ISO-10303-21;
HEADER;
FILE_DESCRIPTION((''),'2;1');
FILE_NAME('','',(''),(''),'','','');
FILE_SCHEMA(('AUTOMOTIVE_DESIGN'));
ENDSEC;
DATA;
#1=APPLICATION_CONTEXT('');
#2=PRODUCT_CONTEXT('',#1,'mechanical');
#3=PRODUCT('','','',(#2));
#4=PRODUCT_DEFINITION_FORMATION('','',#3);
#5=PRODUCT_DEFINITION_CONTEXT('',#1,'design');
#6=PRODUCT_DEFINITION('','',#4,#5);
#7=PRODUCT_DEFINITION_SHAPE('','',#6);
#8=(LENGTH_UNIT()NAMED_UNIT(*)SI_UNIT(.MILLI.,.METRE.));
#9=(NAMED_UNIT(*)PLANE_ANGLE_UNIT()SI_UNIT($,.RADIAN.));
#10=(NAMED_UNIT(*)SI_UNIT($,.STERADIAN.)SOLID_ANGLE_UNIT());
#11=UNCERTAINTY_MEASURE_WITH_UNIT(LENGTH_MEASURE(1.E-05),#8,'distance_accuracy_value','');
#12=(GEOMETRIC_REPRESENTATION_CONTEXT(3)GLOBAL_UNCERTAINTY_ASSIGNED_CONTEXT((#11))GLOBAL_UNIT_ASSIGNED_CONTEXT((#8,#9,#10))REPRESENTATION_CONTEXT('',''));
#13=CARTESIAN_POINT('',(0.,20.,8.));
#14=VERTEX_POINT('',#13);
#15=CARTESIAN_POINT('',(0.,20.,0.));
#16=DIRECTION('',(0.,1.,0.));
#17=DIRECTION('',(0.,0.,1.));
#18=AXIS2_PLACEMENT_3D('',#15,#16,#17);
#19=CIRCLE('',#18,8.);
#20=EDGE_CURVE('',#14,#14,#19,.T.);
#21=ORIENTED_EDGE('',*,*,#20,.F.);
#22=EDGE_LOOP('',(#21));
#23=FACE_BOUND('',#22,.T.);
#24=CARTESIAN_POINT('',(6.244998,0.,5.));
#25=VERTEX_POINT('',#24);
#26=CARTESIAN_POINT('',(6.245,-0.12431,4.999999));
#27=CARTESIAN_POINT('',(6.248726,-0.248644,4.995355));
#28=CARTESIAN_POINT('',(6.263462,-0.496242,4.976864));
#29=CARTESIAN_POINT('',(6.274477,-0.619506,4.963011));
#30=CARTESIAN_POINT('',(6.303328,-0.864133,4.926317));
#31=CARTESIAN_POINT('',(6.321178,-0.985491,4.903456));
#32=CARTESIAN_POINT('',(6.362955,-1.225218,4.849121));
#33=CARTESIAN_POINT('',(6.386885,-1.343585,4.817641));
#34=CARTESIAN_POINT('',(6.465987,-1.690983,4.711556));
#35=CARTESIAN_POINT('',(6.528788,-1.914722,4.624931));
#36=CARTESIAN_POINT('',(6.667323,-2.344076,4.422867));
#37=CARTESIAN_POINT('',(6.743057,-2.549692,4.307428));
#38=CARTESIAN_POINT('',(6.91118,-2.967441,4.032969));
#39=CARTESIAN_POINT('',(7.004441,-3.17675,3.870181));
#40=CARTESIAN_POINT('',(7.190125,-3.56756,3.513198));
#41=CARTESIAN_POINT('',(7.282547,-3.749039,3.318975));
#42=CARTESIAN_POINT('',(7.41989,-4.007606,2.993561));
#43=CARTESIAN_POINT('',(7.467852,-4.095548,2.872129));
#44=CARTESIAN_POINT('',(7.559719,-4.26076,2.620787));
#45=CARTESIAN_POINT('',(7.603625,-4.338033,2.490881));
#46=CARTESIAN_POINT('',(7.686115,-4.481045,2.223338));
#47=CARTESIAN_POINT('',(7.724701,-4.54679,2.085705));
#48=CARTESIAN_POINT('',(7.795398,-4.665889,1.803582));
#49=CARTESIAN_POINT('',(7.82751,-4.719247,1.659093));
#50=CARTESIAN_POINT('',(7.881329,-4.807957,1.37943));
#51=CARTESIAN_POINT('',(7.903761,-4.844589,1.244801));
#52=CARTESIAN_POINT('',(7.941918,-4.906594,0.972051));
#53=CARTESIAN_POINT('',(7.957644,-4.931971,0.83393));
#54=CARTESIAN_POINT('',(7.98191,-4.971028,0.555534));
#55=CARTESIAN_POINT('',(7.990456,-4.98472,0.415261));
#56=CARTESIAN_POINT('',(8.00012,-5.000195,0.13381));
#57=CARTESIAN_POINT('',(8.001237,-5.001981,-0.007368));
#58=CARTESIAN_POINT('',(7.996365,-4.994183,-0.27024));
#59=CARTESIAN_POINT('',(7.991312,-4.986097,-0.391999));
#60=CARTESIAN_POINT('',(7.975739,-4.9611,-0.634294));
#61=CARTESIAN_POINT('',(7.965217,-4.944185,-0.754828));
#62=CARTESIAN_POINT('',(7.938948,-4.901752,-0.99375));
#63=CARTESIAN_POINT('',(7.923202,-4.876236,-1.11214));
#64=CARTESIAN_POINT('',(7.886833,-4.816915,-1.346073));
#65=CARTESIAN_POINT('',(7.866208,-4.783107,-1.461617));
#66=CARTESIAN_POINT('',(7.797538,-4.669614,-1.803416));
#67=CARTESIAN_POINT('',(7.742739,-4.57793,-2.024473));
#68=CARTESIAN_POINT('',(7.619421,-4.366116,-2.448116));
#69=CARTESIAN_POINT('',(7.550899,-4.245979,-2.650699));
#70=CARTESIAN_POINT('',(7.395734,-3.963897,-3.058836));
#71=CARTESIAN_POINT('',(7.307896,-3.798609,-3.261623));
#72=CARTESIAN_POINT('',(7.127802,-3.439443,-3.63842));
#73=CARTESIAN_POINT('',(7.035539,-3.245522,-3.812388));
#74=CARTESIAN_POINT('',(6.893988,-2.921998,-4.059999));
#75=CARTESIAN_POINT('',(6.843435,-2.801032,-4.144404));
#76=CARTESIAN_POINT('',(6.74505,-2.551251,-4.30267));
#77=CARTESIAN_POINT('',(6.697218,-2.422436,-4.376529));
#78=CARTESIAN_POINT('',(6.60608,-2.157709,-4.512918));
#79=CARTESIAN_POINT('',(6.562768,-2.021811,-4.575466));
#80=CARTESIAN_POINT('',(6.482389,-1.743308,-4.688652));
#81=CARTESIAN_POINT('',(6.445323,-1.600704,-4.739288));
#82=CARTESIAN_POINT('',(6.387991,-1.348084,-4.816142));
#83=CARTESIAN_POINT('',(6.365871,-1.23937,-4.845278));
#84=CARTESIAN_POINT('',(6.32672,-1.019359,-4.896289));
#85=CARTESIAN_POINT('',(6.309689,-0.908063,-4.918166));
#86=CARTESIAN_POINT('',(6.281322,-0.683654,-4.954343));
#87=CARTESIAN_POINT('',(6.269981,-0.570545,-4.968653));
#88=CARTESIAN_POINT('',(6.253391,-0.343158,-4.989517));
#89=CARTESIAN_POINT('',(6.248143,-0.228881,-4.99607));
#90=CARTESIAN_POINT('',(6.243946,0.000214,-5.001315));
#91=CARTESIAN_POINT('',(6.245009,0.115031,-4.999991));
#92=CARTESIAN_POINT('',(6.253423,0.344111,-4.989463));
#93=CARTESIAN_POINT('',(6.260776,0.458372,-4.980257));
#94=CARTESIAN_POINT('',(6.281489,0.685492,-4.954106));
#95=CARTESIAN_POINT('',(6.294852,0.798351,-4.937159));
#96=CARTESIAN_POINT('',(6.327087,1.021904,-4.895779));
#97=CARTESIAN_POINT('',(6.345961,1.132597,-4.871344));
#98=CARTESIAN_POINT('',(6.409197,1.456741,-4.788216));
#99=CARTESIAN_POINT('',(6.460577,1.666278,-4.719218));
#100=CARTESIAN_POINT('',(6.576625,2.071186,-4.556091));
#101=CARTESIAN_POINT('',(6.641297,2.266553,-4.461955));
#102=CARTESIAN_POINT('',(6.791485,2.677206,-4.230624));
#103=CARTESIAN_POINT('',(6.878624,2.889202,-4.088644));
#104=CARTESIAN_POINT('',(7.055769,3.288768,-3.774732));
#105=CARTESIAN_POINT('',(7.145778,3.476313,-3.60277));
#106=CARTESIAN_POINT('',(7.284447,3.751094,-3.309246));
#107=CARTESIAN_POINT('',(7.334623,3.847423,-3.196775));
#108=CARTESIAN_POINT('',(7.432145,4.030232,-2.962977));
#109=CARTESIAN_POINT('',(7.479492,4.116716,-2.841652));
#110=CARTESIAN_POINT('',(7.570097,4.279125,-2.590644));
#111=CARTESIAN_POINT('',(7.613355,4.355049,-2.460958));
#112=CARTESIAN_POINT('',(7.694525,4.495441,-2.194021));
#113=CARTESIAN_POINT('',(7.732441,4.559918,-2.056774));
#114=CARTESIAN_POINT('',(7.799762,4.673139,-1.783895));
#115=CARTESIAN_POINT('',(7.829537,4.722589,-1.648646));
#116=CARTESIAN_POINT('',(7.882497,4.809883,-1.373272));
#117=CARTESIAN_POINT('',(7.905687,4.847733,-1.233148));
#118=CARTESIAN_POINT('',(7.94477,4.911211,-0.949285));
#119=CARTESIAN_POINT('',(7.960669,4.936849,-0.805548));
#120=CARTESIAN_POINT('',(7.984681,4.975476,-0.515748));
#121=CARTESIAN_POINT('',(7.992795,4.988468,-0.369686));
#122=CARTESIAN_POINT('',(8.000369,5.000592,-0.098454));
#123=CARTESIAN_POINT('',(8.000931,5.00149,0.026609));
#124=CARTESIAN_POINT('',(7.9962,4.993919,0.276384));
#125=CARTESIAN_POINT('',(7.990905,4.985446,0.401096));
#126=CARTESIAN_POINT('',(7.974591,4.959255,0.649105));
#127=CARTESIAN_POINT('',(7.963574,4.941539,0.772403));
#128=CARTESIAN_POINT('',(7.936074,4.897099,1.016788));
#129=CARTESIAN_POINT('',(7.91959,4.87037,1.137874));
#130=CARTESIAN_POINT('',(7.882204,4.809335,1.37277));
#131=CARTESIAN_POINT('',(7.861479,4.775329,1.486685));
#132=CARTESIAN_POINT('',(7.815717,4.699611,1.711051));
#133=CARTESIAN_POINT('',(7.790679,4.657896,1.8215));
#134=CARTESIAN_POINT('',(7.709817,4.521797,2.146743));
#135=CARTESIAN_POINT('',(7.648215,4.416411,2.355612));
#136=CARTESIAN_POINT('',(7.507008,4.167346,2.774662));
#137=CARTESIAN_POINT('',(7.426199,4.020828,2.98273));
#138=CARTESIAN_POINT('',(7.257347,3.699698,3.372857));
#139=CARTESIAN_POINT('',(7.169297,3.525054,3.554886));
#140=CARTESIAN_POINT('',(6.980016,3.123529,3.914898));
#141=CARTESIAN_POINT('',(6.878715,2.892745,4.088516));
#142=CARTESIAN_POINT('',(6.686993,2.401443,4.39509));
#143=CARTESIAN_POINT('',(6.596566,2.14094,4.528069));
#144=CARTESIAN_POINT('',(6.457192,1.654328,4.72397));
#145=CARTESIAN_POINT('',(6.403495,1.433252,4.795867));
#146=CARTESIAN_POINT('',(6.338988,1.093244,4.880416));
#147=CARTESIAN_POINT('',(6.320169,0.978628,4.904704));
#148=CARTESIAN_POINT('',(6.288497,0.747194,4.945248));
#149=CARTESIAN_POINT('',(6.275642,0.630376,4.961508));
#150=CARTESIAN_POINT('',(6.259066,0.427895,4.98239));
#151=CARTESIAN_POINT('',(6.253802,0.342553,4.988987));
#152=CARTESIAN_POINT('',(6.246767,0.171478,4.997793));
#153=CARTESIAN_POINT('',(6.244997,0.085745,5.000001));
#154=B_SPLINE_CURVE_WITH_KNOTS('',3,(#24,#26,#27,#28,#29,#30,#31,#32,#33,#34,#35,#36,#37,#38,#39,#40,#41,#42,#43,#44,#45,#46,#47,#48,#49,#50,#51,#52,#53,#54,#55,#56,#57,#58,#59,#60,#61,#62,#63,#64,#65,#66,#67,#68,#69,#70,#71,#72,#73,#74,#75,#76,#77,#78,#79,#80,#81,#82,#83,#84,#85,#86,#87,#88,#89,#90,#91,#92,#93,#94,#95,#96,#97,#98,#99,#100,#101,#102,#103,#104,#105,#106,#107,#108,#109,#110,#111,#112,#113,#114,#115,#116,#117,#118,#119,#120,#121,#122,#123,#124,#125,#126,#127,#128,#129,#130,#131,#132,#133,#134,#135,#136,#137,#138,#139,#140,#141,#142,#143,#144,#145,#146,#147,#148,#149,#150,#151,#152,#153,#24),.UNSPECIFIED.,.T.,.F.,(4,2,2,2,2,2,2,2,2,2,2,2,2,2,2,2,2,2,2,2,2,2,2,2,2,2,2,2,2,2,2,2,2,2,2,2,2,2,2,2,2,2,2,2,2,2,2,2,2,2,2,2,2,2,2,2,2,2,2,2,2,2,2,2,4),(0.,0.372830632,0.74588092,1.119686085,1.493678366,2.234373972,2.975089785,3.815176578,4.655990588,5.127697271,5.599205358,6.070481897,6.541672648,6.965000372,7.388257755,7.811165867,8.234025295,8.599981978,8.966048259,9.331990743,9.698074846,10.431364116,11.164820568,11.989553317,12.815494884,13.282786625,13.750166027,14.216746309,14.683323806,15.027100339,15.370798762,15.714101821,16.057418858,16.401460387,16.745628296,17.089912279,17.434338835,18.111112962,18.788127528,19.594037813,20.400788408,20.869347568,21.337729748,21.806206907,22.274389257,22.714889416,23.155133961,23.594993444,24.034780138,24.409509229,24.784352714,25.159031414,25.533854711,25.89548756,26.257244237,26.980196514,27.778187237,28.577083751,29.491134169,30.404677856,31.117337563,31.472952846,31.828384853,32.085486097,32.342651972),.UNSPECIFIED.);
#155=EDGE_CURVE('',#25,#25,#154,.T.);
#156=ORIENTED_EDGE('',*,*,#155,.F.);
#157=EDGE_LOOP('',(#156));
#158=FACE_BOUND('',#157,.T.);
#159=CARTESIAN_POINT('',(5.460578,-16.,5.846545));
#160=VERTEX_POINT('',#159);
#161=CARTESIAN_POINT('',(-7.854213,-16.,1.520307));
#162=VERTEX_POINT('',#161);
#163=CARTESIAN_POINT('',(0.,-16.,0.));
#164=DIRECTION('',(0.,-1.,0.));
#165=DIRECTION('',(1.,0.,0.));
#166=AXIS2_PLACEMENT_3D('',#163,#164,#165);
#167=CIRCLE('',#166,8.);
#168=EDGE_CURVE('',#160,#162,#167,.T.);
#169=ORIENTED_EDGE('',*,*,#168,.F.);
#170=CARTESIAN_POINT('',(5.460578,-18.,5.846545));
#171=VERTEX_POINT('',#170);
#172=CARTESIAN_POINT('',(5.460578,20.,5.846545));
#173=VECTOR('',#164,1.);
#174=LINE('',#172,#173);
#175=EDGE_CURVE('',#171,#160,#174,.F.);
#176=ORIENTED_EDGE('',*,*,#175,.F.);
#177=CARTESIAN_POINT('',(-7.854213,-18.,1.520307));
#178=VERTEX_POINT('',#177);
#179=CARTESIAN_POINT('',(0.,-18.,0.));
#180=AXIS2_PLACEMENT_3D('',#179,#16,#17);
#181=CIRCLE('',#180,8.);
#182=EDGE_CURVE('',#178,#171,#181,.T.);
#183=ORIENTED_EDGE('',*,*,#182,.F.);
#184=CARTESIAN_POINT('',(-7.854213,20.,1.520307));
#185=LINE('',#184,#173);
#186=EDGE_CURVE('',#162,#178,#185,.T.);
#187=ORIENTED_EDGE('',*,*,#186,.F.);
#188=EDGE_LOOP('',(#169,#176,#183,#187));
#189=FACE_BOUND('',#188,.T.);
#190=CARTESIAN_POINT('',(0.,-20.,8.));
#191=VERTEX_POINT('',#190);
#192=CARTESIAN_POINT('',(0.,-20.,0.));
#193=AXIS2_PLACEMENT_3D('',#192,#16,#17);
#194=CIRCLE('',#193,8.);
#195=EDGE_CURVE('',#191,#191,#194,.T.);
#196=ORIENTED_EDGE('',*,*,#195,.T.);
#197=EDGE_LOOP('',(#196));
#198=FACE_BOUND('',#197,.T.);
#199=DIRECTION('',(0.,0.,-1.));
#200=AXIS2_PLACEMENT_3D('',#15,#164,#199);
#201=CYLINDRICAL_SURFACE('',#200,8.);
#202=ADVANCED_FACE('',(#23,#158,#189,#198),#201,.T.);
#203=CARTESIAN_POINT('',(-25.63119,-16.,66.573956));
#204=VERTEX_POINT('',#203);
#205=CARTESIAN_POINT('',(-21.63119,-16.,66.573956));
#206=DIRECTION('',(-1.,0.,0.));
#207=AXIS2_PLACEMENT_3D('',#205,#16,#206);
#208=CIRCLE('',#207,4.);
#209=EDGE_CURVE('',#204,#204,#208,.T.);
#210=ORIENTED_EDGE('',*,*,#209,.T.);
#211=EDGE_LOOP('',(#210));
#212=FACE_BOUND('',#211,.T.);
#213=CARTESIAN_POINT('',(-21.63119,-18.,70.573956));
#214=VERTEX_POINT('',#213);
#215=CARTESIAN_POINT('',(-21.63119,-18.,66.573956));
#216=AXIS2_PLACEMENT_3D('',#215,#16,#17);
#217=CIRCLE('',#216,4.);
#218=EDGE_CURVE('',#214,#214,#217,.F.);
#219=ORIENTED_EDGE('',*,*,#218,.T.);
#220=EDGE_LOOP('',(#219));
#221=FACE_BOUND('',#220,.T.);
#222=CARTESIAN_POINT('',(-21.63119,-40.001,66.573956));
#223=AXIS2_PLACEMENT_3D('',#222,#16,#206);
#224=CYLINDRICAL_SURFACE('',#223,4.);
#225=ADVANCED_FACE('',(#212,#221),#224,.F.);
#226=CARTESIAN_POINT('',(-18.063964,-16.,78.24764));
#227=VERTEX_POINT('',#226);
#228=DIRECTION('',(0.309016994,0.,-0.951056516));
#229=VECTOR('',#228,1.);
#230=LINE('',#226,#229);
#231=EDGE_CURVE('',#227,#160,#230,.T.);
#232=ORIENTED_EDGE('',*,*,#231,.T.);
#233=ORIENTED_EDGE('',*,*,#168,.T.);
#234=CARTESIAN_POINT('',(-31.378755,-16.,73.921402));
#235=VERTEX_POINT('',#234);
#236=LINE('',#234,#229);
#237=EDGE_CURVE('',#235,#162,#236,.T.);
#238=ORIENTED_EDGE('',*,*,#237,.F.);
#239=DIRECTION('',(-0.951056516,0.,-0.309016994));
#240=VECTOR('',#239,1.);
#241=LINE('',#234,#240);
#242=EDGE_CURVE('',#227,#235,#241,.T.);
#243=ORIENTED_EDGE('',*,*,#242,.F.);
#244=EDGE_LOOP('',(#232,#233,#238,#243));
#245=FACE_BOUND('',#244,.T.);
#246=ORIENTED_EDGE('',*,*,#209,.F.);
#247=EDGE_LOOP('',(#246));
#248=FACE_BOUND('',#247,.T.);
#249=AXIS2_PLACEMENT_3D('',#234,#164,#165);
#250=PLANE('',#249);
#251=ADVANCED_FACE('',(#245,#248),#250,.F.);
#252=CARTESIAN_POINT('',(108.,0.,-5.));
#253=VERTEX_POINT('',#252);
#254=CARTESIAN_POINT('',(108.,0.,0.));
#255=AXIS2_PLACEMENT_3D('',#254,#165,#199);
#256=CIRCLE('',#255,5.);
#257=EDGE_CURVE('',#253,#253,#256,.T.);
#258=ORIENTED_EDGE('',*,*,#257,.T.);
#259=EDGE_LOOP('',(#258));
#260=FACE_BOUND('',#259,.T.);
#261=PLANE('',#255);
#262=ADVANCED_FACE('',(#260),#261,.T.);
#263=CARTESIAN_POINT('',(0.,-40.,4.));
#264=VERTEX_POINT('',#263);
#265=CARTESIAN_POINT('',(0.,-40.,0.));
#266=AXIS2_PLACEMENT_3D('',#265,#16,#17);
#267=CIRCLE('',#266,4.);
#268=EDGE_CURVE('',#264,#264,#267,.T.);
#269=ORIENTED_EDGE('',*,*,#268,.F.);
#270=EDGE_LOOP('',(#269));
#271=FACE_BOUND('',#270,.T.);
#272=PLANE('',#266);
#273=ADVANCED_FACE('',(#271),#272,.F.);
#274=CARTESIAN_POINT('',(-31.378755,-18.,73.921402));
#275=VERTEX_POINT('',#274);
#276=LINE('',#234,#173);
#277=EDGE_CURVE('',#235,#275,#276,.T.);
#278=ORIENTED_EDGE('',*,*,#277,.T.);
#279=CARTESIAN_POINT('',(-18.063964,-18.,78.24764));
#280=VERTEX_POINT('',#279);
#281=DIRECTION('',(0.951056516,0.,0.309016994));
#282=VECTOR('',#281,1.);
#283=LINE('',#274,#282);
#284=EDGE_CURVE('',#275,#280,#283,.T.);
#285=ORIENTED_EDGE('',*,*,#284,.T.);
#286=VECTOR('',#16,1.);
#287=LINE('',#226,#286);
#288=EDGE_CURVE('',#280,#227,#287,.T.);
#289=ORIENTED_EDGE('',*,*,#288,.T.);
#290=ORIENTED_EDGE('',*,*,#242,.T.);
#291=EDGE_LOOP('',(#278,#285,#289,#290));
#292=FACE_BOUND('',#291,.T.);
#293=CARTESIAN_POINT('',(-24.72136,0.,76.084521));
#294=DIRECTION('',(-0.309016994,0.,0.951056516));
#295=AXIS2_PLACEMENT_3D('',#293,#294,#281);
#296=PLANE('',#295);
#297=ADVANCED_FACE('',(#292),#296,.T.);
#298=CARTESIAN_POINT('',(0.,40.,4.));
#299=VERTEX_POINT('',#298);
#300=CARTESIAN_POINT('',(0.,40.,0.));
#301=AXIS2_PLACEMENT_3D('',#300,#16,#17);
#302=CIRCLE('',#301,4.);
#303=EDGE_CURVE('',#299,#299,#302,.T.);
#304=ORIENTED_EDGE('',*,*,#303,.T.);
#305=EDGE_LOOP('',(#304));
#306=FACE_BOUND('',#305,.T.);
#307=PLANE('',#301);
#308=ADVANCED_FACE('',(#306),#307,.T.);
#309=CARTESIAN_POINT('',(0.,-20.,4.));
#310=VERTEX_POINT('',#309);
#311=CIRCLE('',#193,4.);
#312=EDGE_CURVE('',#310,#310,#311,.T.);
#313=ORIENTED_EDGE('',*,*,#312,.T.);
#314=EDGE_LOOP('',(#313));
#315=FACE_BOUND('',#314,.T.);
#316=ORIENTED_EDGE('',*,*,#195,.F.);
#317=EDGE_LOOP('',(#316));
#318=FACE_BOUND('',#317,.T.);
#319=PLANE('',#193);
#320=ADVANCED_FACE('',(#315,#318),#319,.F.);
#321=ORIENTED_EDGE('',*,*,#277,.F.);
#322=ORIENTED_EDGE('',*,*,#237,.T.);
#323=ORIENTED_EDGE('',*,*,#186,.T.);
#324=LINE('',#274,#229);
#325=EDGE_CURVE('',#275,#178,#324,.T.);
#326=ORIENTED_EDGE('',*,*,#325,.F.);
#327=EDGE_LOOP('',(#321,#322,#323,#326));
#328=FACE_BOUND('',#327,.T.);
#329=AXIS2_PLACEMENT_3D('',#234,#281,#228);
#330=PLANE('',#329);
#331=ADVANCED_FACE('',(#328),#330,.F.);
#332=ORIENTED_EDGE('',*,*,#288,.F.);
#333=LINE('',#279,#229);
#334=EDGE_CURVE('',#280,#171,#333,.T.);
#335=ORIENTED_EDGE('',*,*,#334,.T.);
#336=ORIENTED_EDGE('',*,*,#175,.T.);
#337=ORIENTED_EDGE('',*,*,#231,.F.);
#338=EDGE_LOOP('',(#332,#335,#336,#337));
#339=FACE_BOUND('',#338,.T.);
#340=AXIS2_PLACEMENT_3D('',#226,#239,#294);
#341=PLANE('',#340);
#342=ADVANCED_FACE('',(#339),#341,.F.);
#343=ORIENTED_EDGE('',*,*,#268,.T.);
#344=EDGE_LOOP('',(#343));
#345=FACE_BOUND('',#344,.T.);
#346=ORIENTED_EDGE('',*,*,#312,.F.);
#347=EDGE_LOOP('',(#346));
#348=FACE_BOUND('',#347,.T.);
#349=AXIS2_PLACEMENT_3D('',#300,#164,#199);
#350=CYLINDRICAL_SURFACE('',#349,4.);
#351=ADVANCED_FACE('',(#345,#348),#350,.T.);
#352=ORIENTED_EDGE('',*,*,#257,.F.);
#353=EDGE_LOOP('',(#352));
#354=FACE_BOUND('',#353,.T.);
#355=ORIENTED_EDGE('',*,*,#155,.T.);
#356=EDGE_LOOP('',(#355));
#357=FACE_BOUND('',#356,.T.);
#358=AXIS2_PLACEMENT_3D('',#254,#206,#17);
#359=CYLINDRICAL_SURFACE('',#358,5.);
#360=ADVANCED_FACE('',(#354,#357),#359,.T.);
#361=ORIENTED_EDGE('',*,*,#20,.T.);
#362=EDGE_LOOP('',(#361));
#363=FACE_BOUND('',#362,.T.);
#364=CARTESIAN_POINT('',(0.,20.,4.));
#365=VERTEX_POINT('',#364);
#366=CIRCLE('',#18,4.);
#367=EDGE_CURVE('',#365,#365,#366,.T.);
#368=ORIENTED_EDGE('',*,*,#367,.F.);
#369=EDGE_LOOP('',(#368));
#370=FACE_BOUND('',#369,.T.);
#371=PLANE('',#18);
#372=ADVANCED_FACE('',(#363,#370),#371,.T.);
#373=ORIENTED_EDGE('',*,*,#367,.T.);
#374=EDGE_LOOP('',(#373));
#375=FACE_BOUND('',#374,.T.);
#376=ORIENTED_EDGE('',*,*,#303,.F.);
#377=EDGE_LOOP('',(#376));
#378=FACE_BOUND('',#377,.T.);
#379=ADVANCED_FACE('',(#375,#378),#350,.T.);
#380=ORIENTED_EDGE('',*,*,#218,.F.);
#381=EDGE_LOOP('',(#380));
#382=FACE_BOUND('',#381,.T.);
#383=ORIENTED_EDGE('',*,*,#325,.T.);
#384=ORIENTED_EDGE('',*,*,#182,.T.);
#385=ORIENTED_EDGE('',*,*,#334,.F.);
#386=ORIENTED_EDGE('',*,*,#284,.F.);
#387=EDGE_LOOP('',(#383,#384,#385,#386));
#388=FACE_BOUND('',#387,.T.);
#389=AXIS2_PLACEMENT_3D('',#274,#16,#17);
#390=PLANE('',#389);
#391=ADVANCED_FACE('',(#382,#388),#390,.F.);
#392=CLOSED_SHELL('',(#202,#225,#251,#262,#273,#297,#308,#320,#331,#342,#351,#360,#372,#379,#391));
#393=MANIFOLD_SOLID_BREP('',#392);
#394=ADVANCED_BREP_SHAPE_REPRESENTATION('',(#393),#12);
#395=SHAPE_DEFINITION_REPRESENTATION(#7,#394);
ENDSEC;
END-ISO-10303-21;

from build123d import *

# Parameters (mm, degrees)
SKETCH1_R           = 4
BOSS_EXTRUDE1_DEPTH = 40
SKETCH3_R           = 8
BOSS_EXTRUDE2_DEPTH = 20
SKETCH4_R           = 5
BOSS_EXTRUDE3_DEPTH = 108
SKETCH5_W           = 14
SKETCH5_H           = 2
BOSS_EXTRUDE4_DEPTH = 80
CUT_EXTRUDE1_REACH  = 146.647
SKETCH6_R           = 4


with BuildPart() as part:
    # Sketch1 → Boss-Extrude1 (new, symmetric)
    with BuildSketch(Plane(origin=(0, 0, 0), x_dir=(1, 0, 0), z_dir=(0, 1, 0))):
        Circle(SKETCH1_R)
    extrude(amount=BOSS_EXTRUDE1_DEPTH, both=True)

    # Sketch3 → Boss-Extrude2 (add, symmetric)
    with BuildSketch(Plane(origin=(0, 0, 0), x_dir=(1, 0, 0), z_dir=(0, 1, 0))):
        Circle(SKETCH3_R)
    extrude(amount=BOSS_EXTRUDE2_DEPTH, both=True)

    # Sketch4 → Boss-Extrude3 (add)
    with BuildSketch(Plane(origin=(0, 0, 0), x_dir=(0, 0, -1), z_dir=(1, 0, 0))):
        Circle(SKETCH4_R)
    extrude(amount=BOSS_EXTRUDE3_DEPTH)

    # Sketch5 → Boss-Extrude4 (add)
    with BuildSketch(Plane(origin=(0, 0, 0), x_dir=(0.9510565162951534, 0, 0.3090169943749482), z_dir=(-0.3090169943749482, 0, 0.9510565162951534))):
        with Locations((0, -17)):
            Rectangle(SKETCH5_W, SKETCH5_H)
    extrude(amount=BOSS_EXTRUDE4_DEPTH)

    # Sketch6 → Cut-Extrude1 (cut, up to next)
    with BuildSketch(Plane(origin=(0, -16, 0), x_dir=(1, 0, 0), z_dir=(0, 1, 0)), mode=Mode.PRIVATE) as cut_extrude1_sk1:
        with Locations((-21.631189606, -66.573956141)):
            Circle(SKETCH6_R)
    cut_extrude1_tool1 = extrude(cut_extrude1_sk1.sketch, amount=-CUT_EXTRUDE1_REACH, mode=Mode.PRIVATE) & part.part
    add(cut_extrude1_tool1.solids().sort_by_distance((-21.63119, -16, 66.573956))[0], mode=Mode.SUBTRACT)


solid = part.part
